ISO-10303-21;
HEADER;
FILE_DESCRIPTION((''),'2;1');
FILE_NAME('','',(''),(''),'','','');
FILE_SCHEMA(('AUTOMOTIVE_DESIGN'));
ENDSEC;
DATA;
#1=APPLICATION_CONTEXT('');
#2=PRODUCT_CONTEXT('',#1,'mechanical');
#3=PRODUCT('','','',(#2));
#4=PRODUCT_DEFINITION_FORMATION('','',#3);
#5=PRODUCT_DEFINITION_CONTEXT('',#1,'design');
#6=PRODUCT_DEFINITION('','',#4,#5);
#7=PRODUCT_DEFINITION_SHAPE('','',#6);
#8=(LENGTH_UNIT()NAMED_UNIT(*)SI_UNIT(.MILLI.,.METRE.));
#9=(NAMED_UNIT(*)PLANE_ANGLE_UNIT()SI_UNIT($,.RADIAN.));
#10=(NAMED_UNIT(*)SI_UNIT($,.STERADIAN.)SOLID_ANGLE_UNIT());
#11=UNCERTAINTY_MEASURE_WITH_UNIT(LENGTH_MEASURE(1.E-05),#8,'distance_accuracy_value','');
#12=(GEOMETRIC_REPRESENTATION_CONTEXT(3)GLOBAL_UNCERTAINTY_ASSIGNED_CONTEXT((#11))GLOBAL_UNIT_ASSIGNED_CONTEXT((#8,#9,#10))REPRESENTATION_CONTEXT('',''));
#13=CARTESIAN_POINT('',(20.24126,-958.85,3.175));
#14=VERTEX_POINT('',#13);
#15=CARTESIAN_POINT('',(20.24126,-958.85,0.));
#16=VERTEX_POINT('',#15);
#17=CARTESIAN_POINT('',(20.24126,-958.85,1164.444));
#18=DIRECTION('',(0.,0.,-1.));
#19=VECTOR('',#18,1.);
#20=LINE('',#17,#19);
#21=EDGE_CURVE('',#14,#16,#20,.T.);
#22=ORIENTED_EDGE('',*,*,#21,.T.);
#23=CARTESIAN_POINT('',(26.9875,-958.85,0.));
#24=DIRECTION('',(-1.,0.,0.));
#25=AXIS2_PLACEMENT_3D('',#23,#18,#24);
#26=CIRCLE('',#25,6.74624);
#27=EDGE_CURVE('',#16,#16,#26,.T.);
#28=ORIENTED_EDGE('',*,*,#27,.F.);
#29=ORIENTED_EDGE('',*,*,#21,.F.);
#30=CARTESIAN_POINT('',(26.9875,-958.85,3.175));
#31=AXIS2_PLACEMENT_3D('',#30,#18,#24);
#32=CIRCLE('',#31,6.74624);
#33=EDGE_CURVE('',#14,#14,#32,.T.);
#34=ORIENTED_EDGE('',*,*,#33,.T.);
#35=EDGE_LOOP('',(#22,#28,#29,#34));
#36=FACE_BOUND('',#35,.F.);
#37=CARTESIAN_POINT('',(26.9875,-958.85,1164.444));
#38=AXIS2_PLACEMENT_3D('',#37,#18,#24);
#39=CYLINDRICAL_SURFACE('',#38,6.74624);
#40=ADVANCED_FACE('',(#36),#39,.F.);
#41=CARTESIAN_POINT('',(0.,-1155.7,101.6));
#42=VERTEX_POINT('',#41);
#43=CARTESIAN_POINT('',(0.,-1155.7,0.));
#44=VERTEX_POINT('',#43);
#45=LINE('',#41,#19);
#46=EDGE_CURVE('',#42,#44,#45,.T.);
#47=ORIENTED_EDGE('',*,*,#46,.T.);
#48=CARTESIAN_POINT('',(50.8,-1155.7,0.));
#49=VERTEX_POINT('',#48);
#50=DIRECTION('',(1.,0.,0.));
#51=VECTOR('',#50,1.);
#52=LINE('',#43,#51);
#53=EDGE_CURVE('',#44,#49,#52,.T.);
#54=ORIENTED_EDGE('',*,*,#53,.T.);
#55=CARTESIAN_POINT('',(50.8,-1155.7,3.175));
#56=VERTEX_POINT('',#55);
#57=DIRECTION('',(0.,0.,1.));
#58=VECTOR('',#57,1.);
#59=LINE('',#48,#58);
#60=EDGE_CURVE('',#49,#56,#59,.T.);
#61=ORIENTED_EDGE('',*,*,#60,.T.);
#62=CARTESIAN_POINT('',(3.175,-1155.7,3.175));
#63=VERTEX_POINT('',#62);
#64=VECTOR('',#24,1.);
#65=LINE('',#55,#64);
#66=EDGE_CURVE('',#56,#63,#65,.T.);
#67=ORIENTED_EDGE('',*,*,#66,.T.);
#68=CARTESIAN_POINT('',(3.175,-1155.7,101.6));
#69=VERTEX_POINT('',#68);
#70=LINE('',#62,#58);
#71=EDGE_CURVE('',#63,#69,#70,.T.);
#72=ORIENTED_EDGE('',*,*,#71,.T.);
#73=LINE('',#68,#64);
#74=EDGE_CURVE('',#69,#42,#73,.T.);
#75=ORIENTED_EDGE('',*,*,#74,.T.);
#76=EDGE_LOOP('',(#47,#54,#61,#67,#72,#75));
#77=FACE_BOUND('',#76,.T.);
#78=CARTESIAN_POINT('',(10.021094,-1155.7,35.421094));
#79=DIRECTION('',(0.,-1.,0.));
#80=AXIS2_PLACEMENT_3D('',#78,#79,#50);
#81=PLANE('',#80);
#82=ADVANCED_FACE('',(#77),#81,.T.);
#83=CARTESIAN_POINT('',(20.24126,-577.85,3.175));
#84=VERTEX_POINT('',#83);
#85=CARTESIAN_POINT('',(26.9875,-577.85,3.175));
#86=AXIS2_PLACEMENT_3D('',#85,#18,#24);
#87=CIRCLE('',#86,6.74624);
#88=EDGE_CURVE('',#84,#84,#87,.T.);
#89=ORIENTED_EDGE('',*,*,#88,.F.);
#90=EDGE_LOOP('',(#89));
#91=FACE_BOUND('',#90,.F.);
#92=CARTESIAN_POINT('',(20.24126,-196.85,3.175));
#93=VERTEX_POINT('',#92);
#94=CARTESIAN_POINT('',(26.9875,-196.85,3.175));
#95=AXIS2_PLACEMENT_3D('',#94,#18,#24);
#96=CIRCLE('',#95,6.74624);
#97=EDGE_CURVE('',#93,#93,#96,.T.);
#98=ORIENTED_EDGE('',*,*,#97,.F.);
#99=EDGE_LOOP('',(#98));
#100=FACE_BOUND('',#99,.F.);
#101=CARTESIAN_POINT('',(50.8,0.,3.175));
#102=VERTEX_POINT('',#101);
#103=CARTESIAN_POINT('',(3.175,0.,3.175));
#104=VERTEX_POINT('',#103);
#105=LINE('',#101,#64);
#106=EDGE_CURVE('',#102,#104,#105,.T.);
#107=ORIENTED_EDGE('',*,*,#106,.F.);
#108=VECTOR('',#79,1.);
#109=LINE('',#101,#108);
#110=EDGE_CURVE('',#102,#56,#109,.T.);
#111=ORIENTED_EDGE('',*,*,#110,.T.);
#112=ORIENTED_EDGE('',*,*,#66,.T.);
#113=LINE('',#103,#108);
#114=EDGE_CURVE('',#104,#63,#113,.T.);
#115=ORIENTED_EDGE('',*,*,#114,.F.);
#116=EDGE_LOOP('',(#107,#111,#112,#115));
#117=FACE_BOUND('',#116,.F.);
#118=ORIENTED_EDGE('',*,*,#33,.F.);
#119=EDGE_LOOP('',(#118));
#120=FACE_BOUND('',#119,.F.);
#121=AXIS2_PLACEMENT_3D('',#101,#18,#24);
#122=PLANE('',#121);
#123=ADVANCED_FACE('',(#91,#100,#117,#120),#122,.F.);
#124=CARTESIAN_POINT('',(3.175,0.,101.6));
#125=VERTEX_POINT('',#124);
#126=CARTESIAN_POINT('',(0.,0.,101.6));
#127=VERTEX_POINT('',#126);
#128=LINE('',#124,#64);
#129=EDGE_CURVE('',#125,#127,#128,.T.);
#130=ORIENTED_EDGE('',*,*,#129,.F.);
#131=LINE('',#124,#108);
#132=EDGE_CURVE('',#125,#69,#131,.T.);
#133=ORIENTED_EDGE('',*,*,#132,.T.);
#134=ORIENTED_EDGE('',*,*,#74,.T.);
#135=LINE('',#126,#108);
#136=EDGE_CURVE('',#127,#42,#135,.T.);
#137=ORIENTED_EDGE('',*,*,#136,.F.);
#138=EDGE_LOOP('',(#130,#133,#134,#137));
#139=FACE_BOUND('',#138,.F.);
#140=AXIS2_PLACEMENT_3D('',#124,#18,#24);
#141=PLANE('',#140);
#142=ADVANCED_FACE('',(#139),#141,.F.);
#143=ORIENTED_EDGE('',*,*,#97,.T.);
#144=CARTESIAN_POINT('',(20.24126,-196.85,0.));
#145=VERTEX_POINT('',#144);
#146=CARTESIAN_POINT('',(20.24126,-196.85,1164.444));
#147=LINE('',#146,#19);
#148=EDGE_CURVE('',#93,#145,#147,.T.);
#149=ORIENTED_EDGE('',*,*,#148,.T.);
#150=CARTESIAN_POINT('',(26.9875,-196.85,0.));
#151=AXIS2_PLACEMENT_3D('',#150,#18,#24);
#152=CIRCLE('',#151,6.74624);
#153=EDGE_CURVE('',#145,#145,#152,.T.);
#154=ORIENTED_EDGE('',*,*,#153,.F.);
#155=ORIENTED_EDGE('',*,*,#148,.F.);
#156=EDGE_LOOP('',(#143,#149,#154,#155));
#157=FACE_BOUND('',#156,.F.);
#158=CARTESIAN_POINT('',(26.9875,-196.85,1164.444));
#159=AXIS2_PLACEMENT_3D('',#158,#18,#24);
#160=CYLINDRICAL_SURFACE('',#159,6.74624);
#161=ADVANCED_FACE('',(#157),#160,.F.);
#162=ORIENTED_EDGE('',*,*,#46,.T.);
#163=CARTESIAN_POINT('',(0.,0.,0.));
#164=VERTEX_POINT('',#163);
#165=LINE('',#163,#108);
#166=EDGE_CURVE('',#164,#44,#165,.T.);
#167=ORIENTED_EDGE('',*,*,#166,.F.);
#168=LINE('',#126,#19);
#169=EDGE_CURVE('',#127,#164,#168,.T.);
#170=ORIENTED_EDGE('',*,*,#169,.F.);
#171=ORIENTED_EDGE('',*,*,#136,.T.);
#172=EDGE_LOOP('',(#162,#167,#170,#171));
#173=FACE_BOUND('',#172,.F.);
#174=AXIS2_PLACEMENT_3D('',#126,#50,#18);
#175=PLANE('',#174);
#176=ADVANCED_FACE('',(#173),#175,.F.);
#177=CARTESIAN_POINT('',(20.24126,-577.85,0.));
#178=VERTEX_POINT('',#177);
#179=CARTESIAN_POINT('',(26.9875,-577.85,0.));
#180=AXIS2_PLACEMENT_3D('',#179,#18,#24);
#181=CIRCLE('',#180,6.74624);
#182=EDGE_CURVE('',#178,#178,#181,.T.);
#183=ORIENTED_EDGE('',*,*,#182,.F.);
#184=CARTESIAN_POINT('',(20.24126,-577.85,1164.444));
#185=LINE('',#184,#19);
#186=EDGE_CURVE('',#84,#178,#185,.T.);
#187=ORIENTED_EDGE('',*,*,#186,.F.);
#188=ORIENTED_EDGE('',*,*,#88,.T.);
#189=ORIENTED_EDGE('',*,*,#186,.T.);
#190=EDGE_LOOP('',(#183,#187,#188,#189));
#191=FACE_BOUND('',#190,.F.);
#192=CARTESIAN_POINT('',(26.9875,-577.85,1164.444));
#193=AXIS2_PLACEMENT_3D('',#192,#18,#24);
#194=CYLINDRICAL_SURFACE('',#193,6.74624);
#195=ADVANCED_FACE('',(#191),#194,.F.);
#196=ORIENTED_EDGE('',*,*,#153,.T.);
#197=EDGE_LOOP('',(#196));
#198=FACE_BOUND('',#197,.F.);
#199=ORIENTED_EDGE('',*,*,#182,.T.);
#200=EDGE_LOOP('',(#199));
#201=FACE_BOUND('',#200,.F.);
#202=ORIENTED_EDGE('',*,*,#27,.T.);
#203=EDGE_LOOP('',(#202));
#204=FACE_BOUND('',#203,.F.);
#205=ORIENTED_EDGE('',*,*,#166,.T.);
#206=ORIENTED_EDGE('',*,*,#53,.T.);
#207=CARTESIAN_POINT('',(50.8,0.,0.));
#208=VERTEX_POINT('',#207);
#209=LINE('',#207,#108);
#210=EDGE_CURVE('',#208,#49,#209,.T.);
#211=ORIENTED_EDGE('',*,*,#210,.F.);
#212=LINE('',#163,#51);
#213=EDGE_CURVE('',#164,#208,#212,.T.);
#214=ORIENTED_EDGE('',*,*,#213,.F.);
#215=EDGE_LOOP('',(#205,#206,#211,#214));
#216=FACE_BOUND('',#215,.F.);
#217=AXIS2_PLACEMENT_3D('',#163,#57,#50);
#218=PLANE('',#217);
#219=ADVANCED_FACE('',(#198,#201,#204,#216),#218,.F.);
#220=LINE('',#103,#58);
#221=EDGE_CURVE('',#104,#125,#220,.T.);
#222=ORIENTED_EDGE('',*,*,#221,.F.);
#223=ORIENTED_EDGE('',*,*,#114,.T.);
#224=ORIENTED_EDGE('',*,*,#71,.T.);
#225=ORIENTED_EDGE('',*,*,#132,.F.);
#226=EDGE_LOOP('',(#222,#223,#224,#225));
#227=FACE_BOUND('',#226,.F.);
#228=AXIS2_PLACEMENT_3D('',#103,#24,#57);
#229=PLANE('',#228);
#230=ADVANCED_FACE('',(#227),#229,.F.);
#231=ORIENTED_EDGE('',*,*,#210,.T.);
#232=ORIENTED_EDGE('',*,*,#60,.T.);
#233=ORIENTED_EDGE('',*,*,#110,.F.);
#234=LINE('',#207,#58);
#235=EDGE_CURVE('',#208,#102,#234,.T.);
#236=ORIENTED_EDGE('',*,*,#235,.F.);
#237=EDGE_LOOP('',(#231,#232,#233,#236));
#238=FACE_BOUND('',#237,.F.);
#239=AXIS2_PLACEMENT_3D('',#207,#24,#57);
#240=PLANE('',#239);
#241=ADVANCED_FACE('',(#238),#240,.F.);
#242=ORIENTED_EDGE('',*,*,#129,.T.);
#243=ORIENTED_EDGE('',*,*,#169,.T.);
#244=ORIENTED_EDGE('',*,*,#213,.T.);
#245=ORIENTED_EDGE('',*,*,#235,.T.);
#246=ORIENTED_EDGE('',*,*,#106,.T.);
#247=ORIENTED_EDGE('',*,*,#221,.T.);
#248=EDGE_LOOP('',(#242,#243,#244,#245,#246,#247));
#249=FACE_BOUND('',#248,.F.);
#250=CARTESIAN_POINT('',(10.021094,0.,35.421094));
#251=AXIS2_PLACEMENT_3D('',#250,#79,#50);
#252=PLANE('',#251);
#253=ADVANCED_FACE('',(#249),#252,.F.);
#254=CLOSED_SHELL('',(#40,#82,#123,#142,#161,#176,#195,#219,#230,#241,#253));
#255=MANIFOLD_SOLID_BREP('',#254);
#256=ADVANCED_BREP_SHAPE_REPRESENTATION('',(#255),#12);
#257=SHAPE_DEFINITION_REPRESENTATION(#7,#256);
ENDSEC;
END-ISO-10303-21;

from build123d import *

# Parameters (mm, degrees)
F1_DEPTH = 1155.7
F3_D     = 13.49248


with BuildPart() as f1:
    # F0 (on Front) → F1 (new body)
    with BuildSketch(Plane.XZ):
        Polygon((0, 101.6), (0, 0), (50.8, 0), (50.8, 3.175), (3.175, 3.175), (3.175, 101.6), align=None)
    extrude(amount=F1_DEPTH)

    # F3 (through all)
    with Locations(Plane.XY.offset(3.175)):
        with Locations((26.9875, -577.85), (26.9875, -196.85), (26.9875, -958.85)):
            Hole(F3_D / 2)


solid = f1.part
